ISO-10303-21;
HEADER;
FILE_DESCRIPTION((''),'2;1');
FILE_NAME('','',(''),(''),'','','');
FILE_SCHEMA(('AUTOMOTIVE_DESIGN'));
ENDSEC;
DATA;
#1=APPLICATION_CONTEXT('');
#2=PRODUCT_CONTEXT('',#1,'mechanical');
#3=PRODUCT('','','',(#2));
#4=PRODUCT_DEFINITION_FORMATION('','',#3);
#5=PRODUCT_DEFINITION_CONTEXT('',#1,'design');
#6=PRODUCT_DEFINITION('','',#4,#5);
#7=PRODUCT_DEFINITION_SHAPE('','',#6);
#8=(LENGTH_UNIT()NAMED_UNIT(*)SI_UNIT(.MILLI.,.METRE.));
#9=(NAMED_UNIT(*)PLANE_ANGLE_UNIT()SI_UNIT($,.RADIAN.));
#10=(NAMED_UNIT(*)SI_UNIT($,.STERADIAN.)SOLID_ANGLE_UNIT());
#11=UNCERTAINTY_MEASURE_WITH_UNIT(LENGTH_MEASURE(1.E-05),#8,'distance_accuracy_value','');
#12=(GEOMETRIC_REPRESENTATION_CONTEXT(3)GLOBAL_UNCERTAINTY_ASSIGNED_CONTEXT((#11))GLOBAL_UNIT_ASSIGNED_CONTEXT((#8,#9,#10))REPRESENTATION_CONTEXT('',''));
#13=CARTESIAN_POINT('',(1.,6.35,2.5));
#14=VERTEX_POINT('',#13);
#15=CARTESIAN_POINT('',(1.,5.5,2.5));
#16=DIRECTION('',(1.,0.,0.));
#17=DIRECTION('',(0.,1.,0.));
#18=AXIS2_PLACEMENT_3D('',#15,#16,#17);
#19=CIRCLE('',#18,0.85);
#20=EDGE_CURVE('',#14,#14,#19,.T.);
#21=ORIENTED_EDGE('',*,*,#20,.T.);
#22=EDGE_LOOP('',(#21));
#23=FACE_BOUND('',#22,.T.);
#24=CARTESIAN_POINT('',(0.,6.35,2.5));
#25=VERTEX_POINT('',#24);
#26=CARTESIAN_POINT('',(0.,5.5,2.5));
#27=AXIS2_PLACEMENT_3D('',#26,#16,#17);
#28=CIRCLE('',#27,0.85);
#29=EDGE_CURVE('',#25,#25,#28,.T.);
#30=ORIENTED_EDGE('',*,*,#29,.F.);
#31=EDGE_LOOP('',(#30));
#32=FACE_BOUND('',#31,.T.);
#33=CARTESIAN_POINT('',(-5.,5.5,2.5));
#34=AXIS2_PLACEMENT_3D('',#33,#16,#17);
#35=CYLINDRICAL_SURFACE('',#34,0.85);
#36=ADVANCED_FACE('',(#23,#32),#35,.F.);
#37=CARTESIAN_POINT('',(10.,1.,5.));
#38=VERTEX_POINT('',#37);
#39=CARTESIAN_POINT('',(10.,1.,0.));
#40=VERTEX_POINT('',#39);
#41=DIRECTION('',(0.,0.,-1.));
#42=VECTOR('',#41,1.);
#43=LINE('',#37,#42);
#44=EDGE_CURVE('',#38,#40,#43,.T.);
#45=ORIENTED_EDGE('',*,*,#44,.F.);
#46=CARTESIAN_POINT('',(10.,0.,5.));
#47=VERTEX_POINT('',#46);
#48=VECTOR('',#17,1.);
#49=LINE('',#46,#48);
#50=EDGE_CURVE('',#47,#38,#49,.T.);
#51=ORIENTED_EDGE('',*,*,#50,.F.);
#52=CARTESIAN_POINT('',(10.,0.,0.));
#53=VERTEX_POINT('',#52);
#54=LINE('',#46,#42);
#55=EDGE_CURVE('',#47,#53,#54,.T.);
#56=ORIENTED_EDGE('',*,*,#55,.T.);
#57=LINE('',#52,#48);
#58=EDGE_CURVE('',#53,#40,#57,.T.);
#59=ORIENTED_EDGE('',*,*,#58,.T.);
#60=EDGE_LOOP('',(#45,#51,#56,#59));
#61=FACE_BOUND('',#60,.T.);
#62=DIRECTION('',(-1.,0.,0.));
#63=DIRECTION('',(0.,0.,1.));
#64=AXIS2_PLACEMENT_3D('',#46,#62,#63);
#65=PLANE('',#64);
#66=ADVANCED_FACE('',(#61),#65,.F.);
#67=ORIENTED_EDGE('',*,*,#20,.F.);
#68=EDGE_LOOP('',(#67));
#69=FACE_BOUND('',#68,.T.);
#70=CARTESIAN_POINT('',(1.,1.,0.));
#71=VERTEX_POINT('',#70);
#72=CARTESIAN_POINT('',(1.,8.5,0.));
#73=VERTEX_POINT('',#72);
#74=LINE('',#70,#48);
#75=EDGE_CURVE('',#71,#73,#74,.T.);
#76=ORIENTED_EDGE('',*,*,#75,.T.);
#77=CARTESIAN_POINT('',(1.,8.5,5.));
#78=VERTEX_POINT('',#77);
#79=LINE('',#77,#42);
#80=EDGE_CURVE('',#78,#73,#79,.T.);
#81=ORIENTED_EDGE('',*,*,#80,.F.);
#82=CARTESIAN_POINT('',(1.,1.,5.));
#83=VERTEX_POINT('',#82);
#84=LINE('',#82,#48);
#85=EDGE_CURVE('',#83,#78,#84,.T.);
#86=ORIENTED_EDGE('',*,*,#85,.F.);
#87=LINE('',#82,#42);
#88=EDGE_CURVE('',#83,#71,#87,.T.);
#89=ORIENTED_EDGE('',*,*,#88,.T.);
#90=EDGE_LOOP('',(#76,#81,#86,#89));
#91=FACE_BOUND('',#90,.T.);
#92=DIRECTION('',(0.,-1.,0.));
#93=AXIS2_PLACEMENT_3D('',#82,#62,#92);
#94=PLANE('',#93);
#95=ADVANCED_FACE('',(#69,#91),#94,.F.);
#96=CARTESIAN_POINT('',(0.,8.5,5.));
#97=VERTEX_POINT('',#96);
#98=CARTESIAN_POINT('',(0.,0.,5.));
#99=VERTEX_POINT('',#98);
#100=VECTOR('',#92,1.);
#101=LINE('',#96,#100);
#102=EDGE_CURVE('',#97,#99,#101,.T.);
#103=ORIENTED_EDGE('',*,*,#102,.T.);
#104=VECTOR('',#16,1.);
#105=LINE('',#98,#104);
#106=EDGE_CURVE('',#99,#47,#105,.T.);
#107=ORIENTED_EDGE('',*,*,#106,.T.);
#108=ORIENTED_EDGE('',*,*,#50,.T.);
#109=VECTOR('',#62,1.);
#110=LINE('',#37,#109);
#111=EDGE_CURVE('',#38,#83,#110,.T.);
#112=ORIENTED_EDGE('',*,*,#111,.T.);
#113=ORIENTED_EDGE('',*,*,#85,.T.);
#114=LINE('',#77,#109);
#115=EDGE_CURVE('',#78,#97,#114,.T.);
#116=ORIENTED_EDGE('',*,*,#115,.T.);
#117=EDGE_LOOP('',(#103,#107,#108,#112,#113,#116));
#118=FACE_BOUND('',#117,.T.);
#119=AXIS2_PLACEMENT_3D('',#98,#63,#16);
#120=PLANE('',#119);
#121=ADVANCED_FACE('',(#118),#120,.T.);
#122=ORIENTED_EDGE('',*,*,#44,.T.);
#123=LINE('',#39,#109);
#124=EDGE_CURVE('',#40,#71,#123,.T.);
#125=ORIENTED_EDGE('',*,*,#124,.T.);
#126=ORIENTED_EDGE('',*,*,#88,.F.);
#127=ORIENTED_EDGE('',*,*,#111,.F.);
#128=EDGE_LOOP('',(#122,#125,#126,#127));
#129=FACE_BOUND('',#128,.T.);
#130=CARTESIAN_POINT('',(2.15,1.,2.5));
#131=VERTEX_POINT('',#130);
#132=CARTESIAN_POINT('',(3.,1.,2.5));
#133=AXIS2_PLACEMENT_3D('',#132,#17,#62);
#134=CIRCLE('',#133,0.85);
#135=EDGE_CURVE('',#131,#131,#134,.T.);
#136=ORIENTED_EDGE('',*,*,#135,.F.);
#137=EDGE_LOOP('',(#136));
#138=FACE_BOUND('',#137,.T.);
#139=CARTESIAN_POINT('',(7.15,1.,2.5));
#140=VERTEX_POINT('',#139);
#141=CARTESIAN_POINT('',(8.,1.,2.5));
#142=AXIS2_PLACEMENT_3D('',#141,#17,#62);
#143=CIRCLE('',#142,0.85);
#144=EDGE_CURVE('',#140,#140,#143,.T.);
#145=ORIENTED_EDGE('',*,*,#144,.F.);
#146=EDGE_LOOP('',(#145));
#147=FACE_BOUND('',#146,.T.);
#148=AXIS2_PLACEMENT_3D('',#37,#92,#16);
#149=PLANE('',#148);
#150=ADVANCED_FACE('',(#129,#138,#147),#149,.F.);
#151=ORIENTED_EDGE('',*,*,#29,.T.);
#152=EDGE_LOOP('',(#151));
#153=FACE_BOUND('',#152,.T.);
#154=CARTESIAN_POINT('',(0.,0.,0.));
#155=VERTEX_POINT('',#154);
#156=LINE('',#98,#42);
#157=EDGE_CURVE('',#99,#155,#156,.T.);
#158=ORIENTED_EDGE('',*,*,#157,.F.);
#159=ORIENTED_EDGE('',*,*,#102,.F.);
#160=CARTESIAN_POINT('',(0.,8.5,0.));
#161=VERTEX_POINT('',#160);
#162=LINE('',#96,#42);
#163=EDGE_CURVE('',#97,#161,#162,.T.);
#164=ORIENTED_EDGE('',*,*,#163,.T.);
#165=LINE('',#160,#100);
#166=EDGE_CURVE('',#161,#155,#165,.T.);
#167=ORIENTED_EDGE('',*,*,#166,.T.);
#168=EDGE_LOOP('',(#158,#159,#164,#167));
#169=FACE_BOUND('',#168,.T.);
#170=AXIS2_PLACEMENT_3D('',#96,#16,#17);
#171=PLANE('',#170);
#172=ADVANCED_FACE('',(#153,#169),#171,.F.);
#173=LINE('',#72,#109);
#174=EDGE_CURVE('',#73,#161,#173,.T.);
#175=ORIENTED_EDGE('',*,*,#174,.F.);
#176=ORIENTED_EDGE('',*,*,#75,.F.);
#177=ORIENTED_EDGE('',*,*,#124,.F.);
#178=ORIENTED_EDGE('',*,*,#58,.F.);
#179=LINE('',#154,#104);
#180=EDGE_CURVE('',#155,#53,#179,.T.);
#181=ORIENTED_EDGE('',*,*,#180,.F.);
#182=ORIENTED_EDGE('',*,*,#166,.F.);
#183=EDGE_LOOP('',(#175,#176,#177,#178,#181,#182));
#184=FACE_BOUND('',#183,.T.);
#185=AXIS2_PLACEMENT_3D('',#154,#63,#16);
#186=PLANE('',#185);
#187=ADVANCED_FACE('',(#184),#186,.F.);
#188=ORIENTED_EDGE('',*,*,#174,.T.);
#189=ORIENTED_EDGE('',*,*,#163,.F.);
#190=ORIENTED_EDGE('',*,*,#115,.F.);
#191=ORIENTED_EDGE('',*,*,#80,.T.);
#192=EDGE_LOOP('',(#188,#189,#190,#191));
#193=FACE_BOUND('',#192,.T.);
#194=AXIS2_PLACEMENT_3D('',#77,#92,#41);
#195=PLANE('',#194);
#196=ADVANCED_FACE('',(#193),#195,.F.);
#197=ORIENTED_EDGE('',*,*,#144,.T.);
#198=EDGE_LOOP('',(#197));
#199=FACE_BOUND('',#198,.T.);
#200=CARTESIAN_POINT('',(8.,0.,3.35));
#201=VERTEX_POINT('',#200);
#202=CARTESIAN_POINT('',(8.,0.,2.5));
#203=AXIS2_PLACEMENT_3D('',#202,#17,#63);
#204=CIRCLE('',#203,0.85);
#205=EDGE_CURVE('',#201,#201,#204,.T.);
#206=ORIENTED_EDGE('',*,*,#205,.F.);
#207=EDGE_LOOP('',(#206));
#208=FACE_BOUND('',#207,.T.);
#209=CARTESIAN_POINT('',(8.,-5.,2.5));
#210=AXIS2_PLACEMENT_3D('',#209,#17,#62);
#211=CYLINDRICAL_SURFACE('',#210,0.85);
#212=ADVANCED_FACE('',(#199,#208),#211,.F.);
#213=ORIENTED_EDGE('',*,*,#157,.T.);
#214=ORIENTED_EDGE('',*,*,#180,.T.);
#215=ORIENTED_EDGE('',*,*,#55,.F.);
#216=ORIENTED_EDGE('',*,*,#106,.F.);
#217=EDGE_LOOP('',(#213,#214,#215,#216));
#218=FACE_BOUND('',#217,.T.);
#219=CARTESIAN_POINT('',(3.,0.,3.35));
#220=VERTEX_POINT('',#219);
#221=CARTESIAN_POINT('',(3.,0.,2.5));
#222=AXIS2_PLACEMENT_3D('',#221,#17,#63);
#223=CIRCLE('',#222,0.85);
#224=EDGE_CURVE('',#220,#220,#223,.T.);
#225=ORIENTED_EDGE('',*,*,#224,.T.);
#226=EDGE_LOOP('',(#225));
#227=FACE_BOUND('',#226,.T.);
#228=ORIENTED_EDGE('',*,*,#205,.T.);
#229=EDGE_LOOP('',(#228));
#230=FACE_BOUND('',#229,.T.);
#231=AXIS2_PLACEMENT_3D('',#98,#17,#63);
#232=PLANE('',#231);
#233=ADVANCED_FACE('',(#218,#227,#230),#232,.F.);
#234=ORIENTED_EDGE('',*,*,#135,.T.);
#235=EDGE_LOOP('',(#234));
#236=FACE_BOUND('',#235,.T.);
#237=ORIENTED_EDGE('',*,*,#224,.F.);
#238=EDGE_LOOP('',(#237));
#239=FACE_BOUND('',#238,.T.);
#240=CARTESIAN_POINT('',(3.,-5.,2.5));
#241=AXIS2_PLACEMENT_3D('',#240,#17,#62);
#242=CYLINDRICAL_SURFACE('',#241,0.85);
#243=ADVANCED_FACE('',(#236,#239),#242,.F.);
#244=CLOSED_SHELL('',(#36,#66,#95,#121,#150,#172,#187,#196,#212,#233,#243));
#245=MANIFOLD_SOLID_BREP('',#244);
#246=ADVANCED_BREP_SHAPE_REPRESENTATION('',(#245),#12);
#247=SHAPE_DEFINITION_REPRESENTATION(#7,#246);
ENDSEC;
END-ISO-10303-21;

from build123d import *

# Parameters (mm, degrees)
BOSS_EXTRUDE2_DEPTH = 5
SKETCH4_R           = 0.85
CUT_EXTRUDE1_DEPTH  = 6
SKETCH6_R           = 0.85
CUT_EXTRUDE2_DEPTH  = 6


with BuildPart() as part:
    # Sketch3 → Boss-Extrude2 (new body)
    with BuildSketch(Plane.XY):
        Polygon((0, 0), (10, 0), (10, 1), (1, 1), (1, 8.5), (0, 8.5), align=None)
    extrude(amount=BOSS_EXTRUDE2_DEPTH)

    # Sketch4 → Cut-Extrude1 (cut)
    with BuildSketch(Plane(origin=(1, 0, 0), x_dir=(0, 0, -1), z_dir=(1, 0, 0))):
        with Locations((-2.5, 5.5)):
            Circle(SKETCH4_R)
    extrude(amount=-CUT_EXTRUDE1_DEPTH, mode=Mode.SUBTRACT)

    # Sketch6 → Cut-Extrude2 (cut)
    with BuildSketch(Plane(origin=(0, 1, 0), x_dir=(1, 0, 0), z_dir=(0, 1, 0))):
        with Locations((3, -2.5)):
            Circle(SKETCH6_R)
        with Locations((8, -2.5)):
            Circle(SKETCH6_R)
    extrude(amount=-CUT_EXTRUDE2_DEPTH, mode=Mode.SUBTRACT)


solid = part.part
